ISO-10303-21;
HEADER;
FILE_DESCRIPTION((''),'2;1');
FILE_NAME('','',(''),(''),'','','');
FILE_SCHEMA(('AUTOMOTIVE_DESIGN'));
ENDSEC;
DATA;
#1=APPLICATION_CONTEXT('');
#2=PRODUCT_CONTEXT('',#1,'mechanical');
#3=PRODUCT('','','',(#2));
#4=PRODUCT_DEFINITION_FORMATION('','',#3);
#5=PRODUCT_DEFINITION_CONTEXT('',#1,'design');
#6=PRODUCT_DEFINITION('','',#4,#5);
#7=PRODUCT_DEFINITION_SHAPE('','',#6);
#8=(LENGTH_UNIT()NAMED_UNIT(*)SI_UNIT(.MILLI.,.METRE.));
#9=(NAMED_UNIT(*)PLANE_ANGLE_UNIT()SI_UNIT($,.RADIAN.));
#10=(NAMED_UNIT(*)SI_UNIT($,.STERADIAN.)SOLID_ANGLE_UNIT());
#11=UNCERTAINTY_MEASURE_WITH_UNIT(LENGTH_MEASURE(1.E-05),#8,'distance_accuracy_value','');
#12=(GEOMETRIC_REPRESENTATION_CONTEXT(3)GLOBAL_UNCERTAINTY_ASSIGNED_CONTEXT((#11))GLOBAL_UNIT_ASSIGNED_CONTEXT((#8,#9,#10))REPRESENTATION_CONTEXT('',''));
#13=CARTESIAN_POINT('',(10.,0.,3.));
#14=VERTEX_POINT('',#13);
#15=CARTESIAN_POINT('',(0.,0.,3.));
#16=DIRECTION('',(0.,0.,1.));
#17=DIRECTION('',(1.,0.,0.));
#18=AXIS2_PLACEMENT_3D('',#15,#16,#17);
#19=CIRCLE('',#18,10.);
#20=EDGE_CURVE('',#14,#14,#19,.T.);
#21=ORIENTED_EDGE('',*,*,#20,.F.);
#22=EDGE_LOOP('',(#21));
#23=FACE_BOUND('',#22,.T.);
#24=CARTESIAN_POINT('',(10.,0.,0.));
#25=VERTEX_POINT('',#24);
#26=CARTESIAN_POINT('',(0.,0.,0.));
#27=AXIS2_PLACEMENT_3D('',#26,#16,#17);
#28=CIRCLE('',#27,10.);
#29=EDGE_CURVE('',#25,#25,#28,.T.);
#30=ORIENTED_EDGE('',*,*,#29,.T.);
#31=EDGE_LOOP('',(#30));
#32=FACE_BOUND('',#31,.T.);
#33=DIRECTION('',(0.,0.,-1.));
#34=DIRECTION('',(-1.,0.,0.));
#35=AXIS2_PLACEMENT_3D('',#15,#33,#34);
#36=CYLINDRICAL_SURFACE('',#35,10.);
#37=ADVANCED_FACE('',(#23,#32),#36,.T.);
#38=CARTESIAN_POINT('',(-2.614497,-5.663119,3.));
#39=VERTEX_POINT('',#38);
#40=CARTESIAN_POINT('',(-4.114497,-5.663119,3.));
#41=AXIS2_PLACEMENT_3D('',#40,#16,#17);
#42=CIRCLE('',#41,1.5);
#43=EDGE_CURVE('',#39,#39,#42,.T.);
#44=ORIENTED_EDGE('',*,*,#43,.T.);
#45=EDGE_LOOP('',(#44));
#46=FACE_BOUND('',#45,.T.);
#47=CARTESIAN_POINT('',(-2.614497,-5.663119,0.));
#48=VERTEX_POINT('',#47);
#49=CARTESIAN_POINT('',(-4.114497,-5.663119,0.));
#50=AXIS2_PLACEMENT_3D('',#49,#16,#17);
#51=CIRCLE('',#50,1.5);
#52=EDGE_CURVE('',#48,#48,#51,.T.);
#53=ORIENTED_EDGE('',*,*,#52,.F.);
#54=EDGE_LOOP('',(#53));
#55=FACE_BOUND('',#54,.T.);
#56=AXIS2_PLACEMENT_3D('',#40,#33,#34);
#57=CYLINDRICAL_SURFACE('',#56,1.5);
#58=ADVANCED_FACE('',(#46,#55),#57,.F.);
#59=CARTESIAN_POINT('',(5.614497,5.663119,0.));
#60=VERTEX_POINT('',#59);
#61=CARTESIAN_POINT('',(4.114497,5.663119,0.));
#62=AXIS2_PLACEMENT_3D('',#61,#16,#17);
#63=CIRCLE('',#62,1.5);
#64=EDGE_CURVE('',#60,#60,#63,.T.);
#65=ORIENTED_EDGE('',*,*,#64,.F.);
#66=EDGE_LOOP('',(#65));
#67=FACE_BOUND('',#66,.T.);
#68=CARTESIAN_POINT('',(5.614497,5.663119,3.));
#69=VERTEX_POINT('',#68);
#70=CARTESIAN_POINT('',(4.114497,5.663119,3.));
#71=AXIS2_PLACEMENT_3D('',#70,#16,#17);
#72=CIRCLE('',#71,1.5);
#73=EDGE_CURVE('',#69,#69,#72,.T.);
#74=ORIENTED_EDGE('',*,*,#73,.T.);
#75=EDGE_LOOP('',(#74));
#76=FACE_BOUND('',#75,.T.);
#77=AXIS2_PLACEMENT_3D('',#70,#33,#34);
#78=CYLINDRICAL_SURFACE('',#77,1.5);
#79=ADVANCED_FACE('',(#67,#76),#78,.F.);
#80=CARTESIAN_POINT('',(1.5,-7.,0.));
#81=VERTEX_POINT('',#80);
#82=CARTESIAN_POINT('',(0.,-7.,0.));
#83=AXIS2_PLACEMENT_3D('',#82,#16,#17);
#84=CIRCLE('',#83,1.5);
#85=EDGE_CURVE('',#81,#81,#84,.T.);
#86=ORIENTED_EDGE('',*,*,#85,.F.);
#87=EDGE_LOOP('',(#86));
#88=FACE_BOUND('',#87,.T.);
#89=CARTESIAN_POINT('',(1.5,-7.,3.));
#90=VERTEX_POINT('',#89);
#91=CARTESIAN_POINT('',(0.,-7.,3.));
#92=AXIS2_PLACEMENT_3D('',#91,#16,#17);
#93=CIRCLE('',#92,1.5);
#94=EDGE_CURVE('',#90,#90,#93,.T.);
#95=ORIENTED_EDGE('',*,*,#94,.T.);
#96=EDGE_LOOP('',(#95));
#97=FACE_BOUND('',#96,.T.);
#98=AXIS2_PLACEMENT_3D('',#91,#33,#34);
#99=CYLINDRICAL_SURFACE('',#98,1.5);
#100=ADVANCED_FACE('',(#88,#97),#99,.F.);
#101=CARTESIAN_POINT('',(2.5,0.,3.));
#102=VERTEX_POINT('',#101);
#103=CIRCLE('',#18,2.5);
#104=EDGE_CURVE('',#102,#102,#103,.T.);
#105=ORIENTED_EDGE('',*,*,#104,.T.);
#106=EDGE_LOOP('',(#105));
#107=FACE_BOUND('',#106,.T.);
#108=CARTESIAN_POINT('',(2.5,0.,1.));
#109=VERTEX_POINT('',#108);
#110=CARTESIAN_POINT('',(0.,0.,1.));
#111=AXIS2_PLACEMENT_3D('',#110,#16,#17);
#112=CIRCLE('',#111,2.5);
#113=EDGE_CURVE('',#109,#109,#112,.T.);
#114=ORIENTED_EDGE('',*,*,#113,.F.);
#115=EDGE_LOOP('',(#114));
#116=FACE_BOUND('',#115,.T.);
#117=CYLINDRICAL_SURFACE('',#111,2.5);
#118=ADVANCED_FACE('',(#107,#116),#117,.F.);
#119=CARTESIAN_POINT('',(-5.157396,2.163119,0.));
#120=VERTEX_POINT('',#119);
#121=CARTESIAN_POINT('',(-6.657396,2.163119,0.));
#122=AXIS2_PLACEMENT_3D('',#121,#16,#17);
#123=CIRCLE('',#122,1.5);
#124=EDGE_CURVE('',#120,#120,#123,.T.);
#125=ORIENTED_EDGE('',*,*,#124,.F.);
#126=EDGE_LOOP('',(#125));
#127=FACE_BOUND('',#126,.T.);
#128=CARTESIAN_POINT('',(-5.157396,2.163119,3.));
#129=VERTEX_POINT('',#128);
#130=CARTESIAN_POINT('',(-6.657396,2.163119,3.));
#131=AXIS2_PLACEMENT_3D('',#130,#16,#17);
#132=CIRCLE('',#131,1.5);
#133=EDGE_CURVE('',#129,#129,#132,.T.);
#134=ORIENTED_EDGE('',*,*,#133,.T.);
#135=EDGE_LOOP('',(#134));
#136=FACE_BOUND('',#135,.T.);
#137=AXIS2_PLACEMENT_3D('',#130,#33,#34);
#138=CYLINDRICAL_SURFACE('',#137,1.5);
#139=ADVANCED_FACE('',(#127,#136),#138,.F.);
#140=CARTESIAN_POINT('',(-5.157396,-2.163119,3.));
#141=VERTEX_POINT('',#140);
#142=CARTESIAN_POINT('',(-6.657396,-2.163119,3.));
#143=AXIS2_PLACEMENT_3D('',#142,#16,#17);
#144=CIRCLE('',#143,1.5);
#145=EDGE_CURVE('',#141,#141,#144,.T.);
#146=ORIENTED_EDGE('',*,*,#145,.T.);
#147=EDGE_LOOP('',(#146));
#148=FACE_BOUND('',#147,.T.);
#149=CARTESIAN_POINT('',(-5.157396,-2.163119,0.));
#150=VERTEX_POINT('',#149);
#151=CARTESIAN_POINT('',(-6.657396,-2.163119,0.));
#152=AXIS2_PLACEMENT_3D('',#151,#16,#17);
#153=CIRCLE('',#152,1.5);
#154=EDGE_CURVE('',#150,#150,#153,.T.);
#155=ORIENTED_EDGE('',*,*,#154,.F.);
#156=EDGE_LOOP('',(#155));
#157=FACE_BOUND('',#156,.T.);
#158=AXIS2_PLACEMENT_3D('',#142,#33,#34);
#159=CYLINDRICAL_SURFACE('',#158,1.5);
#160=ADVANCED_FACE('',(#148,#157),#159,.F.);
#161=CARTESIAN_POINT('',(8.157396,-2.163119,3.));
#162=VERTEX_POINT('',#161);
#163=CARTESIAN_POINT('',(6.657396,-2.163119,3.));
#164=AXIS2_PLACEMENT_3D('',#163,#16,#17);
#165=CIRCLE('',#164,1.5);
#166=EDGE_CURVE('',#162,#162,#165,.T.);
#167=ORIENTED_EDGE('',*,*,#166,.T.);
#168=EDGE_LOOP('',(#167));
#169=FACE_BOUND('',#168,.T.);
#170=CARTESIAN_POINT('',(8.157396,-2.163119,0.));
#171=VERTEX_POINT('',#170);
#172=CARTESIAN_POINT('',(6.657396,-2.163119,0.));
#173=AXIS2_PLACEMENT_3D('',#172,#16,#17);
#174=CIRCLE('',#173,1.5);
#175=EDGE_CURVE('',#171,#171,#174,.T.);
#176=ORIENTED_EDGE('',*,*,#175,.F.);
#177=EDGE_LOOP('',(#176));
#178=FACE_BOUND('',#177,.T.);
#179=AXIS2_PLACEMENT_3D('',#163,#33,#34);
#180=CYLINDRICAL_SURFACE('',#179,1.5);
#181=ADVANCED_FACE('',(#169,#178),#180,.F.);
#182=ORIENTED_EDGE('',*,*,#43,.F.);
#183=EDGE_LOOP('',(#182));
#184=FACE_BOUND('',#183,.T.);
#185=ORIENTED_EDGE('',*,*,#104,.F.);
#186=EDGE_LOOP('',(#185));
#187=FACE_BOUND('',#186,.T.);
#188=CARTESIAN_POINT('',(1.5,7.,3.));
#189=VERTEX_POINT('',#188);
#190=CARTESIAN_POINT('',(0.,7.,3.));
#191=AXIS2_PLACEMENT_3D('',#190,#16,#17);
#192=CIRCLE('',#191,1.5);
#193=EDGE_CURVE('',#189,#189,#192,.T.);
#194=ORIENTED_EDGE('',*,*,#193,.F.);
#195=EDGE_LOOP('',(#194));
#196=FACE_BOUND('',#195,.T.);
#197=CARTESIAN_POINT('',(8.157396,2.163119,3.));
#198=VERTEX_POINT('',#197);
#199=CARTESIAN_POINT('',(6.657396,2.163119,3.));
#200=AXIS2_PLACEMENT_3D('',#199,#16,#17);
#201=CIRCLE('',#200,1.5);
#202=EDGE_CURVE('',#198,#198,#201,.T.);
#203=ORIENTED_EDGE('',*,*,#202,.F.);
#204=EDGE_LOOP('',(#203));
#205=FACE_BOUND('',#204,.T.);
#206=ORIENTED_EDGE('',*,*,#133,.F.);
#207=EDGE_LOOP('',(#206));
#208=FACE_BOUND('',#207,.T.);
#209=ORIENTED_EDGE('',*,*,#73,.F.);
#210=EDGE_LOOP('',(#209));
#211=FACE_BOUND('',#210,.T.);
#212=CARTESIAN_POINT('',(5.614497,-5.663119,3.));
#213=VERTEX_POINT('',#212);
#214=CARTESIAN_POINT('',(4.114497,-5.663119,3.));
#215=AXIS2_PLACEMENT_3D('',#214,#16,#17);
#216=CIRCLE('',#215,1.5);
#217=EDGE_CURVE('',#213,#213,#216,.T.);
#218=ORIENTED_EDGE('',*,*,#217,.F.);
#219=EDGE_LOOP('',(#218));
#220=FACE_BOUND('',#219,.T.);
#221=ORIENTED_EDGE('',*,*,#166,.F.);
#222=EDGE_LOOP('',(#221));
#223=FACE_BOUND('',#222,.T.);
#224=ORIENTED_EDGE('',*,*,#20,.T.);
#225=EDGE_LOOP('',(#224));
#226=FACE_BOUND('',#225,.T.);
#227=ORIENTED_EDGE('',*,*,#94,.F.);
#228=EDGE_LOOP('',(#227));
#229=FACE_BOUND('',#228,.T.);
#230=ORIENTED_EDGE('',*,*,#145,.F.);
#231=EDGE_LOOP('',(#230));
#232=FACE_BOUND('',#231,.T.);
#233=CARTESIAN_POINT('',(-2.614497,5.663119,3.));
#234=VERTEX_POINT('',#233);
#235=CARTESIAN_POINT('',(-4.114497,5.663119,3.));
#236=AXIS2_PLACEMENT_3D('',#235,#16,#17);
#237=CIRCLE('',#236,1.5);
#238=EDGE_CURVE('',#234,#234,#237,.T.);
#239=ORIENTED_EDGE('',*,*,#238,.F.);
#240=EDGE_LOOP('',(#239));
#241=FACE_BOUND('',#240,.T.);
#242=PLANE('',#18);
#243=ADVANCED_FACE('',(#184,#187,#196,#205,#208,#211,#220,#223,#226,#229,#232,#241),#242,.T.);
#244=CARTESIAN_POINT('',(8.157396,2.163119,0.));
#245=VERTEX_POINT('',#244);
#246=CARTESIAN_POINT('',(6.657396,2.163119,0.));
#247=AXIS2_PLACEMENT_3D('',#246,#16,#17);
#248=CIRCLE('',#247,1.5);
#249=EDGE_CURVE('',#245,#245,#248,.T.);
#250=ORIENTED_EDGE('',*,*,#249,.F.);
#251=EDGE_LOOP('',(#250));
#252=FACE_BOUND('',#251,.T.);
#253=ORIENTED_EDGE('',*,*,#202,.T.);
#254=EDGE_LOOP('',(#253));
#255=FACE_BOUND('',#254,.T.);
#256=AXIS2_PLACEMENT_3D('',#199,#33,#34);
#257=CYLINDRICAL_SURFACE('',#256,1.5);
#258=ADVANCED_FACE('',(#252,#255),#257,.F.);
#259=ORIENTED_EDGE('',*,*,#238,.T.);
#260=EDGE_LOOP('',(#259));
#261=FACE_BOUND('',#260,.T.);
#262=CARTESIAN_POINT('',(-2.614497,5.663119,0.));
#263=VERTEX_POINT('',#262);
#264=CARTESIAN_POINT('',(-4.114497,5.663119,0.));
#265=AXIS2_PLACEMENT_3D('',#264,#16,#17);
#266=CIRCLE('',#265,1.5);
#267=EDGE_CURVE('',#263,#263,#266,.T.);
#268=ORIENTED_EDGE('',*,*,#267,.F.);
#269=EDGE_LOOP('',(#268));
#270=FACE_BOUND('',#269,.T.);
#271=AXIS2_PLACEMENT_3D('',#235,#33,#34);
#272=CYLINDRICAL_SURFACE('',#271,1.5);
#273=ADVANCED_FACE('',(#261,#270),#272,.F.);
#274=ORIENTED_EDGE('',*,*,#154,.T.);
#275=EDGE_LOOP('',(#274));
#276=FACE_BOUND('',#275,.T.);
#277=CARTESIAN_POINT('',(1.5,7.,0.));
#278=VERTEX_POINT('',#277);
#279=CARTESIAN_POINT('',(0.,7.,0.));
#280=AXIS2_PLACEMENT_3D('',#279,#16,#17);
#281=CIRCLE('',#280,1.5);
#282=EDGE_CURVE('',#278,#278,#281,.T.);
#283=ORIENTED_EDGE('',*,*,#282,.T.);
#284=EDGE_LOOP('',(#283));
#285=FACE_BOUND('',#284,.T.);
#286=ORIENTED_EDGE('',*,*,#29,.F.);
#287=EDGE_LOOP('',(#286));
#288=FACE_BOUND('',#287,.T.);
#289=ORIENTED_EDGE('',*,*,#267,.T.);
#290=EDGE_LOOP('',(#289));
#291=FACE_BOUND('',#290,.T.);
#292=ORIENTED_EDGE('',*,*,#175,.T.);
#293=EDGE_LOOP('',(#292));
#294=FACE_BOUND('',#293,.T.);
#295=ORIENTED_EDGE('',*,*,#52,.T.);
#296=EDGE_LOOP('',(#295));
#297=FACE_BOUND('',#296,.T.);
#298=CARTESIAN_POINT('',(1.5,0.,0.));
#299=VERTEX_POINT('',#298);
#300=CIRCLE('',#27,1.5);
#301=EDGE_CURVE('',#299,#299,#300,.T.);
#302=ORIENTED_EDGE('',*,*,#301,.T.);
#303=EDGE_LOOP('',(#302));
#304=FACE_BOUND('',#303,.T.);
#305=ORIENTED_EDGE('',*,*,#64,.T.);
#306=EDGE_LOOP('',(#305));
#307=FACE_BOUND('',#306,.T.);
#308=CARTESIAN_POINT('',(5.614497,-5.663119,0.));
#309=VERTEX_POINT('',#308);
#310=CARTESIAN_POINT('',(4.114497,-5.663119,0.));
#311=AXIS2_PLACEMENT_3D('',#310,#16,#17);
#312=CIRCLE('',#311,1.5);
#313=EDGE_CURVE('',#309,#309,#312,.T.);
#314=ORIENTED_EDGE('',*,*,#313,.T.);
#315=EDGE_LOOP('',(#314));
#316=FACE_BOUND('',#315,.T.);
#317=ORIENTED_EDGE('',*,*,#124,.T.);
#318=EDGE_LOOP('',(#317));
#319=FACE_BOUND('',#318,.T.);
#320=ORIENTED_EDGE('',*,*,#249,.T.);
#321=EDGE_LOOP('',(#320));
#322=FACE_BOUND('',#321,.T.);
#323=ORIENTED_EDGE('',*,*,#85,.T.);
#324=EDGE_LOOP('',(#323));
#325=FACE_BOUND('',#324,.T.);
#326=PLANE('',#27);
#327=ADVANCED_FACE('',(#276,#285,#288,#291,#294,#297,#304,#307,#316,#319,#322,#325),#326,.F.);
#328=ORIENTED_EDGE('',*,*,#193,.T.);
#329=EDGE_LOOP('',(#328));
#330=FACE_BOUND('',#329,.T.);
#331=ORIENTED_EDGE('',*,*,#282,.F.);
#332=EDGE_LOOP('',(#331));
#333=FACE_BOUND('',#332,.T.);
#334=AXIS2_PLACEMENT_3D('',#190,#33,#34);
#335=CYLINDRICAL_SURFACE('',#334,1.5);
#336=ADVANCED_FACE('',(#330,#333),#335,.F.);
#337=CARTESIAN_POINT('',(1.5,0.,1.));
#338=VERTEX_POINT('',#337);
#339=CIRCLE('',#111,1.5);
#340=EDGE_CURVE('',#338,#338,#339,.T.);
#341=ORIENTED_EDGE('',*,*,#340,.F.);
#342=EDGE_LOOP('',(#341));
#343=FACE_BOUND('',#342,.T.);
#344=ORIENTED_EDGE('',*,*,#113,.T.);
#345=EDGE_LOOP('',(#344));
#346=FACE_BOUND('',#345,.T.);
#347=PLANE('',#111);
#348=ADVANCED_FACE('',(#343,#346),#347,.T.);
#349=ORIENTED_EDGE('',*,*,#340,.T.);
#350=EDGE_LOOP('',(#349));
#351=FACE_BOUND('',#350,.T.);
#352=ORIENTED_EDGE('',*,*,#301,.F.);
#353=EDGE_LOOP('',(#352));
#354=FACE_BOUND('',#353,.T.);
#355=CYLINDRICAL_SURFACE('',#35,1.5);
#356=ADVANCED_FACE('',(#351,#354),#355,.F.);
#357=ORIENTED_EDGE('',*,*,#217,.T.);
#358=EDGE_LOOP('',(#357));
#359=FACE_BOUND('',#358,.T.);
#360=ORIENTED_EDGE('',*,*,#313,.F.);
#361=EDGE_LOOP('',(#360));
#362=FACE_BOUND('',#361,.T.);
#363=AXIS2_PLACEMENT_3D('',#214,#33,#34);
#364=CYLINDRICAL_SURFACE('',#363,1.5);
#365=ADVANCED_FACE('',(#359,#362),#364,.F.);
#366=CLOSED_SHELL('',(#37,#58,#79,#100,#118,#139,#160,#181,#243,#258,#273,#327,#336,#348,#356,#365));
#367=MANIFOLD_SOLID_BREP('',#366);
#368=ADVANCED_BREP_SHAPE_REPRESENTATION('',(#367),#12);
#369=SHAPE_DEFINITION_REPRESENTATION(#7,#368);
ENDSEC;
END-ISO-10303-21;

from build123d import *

# Parameters (mm, degrees)
SKETCH1_R           = 10
BOSS_EXTRUDE1_DEPTH = 3
SKETCH1_6_R         = 1.5
CUT_EXTRUDE2_DEPTH  = 4
SKETCH1_7_R         = 1.5
CUT_EXTRUDE3_DEPTH  = 4
SKETCH3_R           = 2.5
CUT_EXTRUDE5_DEPTH  = 2


with BuildPart() as part:
    # Sketch1 → Boss-Extrude1 (new body)
    with BuildSketch(Plane.XY):
        Circle(SKETCH1_R)
    extrude(amount=BOSS_EXTRUDE1_DEPTH)

    # Sketch1<6> → Cut-Extrude2 (cut, through all)
    with BuildSketch(Plane.XY):
        Circle(SKETCH1_6_R)
    extrude(amount=CUT_EXTRUDE2_DEPTH, mode=Mode.SUBTRACT)

    # Sketch1<7> → Cut-Extrude3 (cut, through all)
    with BuildSketch(Plane.XY):
        with Locations((0, -7)):
            Circle(SKETCH1_7_R)
        with Locations((-4.114496766, -5.663118961)):
            Circle(SKETCH1_7_R)
        with Locations((-6.657395614, -2.163118961)):
            Circle(SKETCH1_7_R)
        with Locations((-6.657395614, 2.163118961)):
            Circle(SKETCH1_7_R)
        with Locations((-4.114496766, 5.663118961)):
            Circle(SKETCH1_7_R)
        with Locations((0, 7)):
            Circle(SKETCH1_7_R)
        with Locations((4.114496766, 5.663118961)):
            Circle(SKETCH1_7_R)
        with Locations((6.657395614, 2.163118961)):
            Circle(SKETCH1_7_R)
        with Locations((6.657395614, -2.163118961)):
            Circle(SKETCH1_7_R)
        with Locations((4.114496766, -5.663118961)):
            Circle(SKETCH1_7_R)
    extrude(amount=CUT_EXTRUDE3_DEPTH, mode=Mode.SUBTRACT)

    # Sketch3 → Cut-Extrude5 (cut)
    with BuildSketch(Plane.XY.offset(3)):
        Circle(SKETCH3_R)
    extrude(amount=-CUT_EXTRUDE5_DEPTH, mode=Mode.SUBTRACT)


solid = part.part
